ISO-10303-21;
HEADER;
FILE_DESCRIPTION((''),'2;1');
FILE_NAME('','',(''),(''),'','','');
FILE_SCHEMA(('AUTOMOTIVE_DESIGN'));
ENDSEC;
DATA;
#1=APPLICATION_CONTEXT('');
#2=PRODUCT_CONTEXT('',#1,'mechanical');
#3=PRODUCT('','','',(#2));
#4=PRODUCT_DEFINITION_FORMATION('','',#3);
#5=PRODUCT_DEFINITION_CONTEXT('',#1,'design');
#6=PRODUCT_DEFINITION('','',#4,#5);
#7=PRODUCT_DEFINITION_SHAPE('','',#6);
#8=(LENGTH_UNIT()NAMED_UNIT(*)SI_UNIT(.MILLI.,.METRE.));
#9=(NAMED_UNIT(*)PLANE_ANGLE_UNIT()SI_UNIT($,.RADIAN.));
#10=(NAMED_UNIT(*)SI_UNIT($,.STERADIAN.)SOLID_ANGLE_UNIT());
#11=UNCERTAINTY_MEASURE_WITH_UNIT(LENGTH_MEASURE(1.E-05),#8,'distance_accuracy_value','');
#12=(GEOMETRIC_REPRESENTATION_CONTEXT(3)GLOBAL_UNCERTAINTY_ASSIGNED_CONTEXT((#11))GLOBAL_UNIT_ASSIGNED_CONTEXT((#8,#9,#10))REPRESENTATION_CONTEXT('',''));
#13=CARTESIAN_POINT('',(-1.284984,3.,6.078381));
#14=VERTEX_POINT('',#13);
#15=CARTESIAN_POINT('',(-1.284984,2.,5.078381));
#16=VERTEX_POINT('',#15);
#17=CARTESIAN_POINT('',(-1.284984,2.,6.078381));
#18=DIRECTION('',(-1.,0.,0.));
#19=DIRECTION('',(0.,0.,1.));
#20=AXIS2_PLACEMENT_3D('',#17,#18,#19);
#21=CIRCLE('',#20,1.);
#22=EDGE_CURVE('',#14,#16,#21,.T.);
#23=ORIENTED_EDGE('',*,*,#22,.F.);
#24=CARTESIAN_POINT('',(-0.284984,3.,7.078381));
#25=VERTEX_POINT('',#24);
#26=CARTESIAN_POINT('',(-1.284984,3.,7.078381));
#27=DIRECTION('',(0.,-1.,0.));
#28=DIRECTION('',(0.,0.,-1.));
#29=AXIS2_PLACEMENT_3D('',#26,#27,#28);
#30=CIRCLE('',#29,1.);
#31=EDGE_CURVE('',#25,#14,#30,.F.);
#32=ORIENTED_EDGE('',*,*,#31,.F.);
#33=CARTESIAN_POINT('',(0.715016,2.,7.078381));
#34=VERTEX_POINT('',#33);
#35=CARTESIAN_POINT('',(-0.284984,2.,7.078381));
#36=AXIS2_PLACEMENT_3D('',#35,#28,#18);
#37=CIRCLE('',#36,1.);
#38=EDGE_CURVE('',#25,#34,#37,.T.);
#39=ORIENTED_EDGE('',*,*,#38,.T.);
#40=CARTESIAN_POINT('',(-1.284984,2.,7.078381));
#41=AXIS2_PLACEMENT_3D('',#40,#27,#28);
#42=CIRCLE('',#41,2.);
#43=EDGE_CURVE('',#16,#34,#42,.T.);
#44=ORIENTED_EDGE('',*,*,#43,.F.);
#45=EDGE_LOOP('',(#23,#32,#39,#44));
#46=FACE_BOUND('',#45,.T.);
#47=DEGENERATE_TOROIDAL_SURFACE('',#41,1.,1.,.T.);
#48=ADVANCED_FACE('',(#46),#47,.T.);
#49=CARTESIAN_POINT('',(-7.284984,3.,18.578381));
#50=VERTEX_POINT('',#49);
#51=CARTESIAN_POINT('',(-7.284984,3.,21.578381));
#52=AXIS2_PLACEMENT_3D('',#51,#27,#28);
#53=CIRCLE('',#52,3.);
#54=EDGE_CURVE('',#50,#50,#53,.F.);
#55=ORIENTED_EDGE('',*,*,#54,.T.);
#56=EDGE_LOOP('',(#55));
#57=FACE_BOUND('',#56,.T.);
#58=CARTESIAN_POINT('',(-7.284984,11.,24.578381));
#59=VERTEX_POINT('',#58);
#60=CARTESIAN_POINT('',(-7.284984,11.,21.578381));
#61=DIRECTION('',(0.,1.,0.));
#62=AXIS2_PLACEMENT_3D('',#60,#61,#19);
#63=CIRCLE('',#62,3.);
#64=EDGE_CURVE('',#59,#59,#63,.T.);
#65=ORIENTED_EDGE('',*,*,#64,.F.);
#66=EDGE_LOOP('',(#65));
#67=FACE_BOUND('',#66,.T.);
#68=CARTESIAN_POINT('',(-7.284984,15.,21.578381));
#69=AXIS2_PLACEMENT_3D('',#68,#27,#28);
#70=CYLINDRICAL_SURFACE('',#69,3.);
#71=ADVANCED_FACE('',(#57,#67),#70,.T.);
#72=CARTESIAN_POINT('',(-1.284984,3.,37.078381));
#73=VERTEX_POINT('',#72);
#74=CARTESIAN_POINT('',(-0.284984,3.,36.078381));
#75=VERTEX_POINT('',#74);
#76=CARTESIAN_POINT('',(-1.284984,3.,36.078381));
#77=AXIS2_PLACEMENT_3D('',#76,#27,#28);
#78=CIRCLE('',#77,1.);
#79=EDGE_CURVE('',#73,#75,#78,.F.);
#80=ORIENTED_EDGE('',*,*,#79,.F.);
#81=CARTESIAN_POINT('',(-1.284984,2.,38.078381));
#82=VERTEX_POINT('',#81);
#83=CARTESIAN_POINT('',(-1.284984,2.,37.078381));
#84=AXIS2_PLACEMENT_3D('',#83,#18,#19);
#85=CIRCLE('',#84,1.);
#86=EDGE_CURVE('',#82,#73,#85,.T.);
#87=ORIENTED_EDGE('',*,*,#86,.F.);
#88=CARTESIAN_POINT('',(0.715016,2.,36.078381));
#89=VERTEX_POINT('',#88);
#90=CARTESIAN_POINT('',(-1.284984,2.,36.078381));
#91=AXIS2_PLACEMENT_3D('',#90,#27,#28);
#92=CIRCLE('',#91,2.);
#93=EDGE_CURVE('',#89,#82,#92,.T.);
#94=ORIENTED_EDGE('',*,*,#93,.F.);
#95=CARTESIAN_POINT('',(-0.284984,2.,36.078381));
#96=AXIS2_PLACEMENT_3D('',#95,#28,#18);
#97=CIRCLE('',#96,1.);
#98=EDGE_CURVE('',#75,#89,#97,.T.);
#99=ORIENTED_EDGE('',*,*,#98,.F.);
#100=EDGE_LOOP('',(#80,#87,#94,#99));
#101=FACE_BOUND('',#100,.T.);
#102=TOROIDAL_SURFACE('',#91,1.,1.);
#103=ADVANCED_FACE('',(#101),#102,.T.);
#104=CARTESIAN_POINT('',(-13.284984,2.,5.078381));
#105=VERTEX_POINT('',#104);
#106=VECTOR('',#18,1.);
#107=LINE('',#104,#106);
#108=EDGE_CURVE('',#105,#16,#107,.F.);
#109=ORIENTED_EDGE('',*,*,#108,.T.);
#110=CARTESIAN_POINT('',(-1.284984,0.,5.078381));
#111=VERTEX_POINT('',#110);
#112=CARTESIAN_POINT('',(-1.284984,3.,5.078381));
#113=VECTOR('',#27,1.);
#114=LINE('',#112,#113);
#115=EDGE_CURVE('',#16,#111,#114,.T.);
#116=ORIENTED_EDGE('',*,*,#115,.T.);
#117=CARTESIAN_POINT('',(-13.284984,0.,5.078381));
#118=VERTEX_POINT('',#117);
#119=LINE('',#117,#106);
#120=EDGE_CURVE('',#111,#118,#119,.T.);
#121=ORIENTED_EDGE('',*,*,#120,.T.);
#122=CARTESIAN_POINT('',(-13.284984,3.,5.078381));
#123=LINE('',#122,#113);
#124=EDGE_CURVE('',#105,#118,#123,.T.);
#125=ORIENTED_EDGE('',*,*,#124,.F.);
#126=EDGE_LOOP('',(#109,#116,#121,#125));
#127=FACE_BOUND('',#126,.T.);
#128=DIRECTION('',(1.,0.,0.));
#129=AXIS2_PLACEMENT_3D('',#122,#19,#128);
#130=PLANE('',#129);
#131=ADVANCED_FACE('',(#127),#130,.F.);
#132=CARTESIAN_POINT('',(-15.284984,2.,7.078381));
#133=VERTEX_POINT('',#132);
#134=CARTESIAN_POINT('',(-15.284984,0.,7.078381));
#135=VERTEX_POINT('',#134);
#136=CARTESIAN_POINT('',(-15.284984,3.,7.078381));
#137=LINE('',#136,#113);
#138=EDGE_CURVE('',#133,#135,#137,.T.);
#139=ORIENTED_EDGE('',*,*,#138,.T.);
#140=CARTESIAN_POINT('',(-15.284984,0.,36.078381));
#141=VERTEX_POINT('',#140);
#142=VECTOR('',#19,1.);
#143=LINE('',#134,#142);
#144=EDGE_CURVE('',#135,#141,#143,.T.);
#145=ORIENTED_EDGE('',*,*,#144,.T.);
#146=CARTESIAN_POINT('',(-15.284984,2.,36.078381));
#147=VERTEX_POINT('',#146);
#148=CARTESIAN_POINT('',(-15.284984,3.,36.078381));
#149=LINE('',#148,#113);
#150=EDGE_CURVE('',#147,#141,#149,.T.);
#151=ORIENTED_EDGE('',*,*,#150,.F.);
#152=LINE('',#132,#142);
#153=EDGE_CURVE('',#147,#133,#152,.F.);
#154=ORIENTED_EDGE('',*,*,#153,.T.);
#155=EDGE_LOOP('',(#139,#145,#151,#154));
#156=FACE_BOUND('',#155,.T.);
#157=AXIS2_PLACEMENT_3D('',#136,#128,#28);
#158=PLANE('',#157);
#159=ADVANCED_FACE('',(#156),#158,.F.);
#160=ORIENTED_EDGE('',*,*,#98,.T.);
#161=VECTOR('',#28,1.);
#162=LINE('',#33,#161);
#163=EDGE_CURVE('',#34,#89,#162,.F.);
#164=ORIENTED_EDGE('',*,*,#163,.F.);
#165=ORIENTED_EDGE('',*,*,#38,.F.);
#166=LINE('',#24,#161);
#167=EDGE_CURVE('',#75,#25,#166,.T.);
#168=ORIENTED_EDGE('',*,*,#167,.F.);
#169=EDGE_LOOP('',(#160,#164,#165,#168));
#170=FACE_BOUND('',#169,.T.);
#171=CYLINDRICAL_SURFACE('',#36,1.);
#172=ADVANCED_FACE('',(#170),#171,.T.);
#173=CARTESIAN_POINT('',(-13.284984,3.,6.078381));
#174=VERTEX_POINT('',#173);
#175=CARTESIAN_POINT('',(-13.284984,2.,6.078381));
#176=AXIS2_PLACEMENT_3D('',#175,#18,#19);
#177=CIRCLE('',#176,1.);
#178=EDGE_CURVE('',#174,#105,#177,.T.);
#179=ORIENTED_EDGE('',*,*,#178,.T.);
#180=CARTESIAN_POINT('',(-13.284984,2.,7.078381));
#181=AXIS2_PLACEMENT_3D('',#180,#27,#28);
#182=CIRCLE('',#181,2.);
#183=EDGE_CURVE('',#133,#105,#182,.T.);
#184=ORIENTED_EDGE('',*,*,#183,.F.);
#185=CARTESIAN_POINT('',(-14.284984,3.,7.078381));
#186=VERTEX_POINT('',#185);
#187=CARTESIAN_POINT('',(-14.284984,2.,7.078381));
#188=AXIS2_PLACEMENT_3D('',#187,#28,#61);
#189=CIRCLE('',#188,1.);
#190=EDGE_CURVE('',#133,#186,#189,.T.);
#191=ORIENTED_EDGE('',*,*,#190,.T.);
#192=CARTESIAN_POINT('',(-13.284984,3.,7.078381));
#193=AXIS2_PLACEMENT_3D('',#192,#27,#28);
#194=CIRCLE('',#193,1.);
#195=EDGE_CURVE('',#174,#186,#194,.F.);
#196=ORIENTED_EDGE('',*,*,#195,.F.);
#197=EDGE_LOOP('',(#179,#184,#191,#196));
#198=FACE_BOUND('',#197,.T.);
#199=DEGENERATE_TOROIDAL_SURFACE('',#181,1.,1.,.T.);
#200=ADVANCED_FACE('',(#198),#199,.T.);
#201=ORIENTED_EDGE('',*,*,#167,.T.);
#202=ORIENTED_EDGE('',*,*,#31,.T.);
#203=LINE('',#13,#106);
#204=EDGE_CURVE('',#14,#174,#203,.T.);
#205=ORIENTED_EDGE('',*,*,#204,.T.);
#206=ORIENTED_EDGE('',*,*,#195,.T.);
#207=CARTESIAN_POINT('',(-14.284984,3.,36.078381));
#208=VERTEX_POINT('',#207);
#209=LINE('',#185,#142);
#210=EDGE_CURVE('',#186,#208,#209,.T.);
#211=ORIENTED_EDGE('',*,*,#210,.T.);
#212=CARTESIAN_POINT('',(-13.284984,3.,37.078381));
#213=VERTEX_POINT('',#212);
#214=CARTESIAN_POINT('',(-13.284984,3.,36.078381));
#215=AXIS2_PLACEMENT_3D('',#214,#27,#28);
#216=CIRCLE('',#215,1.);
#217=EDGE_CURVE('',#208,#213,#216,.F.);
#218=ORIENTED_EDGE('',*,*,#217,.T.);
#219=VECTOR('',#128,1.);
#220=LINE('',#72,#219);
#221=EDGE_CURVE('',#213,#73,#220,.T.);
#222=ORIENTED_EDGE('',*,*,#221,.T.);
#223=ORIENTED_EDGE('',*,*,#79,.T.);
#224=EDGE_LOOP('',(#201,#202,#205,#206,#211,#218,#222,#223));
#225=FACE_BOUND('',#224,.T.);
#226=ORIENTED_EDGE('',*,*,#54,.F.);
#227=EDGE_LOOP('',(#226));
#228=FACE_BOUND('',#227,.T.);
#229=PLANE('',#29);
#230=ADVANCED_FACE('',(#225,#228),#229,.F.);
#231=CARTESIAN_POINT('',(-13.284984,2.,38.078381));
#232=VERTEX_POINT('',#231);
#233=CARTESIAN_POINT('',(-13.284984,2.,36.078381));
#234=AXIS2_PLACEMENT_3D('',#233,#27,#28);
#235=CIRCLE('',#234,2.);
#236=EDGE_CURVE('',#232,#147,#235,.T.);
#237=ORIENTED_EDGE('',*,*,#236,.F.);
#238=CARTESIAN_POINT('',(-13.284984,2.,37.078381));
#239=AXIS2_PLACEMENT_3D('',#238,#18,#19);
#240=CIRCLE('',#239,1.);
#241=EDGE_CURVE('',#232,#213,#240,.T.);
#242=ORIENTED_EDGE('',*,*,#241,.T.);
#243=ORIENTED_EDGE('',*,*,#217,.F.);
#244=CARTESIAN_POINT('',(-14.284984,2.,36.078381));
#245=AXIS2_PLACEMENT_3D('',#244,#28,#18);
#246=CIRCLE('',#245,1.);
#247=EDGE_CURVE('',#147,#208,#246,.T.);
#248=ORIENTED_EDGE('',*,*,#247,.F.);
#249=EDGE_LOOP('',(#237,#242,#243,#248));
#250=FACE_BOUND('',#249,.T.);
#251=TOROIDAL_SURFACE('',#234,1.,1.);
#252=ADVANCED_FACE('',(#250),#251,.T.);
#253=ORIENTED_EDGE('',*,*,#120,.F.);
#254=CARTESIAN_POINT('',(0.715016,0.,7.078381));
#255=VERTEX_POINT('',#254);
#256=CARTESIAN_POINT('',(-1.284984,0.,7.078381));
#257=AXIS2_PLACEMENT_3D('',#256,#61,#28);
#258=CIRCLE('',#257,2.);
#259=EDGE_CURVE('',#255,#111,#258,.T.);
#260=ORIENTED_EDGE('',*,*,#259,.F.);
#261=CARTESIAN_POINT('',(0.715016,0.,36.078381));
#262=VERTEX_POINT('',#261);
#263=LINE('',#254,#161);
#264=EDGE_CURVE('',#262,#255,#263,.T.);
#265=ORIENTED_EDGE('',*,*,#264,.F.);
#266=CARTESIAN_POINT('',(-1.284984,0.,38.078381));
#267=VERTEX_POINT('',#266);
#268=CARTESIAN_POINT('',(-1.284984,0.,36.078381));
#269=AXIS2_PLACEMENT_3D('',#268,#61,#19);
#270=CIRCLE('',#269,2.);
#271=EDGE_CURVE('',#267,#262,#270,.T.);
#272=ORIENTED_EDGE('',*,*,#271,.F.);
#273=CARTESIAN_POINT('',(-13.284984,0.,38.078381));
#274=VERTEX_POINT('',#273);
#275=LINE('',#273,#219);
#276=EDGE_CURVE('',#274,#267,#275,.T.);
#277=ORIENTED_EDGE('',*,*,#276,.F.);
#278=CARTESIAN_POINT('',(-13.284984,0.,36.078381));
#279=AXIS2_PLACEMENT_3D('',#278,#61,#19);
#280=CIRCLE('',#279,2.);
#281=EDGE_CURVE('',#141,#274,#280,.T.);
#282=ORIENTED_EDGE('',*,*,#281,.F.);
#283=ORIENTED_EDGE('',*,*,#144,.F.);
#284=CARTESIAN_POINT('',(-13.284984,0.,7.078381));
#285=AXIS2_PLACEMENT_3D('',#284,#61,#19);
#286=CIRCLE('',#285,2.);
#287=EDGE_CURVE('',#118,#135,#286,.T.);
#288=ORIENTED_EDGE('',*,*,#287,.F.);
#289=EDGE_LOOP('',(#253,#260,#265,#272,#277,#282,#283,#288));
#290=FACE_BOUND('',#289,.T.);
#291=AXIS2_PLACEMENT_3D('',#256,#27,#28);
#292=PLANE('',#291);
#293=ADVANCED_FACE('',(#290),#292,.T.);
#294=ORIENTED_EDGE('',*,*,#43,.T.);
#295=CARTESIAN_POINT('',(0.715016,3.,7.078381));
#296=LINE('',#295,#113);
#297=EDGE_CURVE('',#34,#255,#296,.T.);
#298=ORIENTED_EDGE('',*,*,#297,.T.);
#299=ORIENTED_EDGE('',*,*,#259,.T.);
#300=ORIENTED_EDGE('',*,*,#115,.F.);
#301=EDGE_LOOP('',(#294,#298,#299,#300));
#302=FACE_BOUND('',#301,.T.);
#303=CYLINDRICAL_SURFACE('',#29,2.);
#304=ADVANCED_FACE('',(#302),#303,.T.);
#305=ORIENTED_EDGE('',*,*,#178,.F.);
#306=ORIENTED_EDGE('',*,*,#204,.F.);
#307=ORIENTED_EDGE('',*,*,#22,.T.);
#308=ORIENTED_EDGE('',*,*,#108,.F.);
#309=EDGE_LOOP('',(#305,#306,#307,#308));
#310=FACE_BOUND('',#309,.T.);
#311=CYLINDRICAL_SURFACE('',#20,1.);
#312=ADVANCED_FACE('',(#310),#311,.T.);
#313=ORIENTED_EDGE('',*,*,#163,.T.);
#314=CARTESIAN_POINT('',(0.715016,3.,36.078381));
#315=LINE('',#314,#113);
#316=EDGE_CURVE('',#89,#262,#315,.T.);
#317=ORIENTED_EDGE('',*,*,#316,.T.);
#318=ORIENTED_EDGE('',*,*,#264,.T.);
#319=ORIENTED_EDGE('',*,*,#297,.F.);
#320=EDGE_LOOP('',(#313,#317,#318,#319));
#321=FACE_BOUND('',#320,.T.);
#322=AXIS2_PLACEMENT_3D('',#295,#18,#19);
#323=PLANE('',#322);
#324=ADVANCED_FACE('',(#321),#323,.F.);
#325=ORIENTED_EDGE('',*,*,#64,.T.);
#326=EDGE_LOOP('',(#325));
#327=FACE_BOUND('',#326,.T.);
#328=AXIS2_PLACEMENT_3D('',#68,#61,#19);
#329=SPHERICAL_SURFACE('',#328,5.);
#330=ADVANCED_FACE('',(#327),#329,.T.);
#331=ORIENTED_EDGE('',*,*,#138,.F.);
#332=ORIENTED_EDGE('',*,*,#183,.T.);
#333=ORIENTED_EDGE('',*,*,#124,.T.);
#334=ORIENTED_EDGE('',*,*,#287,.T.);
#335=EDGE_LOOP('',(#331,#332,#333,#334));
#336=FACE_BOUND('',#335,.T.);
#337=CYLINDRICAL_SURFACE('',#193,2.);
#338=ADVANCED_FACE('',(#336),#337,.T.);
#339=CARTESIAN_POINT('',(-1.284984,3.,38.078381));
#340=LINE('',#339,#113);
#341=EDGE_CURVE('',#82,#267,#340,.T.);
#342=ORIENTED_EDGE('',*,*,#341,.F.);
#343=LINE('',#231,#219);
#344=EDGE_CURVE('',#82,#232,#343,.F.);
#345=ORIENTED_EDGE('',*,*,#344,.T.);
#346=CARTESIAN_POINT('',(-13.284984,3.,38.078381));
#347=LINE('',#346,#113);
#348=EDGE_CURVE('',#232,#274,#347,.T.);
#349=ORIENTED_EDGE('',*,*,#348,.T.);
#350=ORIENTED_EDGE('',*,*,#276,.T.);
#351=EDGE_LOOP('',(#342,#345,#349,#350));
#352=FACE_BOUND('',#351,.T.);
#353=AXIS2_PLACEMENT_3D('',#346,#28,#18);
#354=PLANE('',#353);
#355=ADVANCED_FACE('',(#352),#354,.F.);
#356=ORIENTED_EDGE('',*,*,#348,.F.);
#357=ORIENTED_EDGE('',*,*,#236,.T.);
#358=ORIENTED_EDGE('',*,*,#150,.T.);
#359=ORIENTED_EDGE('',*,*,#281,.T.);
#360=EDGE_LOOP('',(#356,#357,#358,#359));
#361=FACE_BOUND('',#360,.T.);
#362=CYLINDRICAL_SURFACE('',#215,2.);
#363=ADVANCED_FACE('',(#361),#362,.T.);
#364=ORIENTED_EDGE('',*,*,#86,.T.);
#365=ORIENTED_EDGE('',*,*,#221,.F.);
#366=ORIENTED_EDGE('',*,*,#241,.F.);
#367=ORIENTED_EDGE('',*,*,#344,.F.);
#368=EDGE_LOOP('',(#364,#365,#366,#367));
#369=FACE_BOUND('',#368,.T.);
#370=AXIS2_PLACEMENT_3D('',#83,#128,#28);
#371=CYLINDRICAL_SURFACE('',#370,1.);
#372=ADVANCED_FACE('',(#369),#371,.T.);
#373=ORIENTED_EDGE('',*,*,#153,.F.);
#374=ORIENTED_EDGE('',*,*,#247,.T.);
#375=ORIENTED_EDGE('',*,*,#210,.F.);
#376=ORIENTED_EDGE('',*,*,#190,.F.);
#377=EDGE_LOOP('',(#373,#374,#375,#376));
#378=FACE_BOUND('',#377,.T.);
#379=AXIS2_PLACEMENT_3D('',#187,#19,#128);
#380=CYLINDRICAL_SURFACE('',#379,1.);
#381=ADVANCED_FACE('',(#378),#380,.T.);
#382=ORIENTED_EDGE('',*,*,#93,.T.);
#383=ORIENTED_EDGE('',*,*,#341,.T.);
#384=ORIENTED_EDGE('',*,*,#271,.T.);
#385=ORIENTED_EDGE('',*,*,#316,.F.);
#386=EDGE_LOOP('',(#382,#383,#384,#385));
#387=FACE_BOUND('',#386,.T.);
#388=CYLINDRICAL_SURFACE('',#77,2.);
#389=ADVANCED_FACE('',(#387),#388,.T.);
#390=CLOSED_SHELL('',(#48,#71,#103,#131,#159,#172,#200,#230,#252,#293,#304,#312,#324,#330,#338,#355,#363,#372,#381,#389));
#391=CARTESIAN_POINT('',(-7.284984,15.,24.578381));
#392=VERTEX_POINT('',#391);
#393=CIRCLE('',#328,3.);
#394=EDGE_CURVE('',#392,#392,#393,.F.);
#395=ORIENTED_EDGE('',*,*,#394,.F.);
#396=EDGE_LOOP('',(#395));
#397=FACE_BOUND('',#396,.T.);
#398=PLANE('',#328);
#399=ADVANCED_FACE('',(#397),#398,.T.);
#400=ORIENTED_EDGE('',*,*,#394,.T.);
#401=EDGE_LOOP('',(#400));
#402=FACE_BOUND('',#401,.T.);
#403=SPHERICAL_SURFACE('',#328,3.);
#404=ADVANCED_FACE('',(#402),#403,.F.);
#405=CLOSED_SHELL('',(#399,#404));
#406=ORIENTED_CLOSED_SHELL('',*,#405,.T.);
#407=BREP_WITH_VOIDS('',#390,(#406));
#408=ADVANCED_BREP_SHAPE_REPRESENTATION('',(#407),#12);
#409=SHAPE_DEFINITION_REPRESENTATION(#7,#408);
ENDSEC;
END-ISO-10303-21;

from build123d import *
from build123d.topology import SkipClean

# Parameters (mm, degrees)
BOSS_EXTRUDE1_DEPTH = 3
FILLET1_R           = 1
SKETCH2_R           = 3
BOSS_EXTRUDE2_DEPTH = 12


with BuildPart() as part:
    # Sketch1 → Boss-Extrude1 (new body)
    with BuildSketch(Plane(origin=(0, 0, 0), x_dir=(1, 0, 0), z_dir=(0, 1, 0))):
        with BuildLine():
            Line((-13.284983977, -5.078381136), (-1.284983977, -5.078381136))
            ThreePointArc((-1.284983977, -5.078381136), (0.129229585, -5.664167574), (0.715016023, -7.078381136))
            Line((0.715016023, -7.078381136), (0.715016023, -36.078381136))
            ThreePointArc((0.715016023, -36.078381136), (0.129229585, -37.492594699), (-1.284983977, -38.078381136))
            Line((-1.284983977, -38.078381136), (-13.284983977, -38.078381136))
            ThreePointArc((-13.284983977, -38.078381136), (-14.69919754, -37.492594699), (-15.284983977, -36.078381136))
            Line((-15.284983977, -36.078381136), (-15.284983977, -7.078381136))
            ThreePointArc((-15.284983977, -7.078381136), (-14.69919754, -5.664167574), (-13.284983977, -5.078381136))
        make_face()
    extrude(amount=BOSS_EXTRUDE1_DEPTH)

    # Fillet1
    fillet1_edges = [part.edges().sort_by_distance(p)[0] for p in [
        (-14.69919754, 3, 5.664167574),
        (-15.284983977, 3, 21.578381136),
        (-14.69919754, 3, 37.492594699),
        (-7.284983977, 3, 38.078381136),
        (0.129229585, 3, 37.492594699),
        (0.715016023, 3, 21.578381136),
        (0.129229585, 3, 5.664167574),
        (-7.284983977, 3, 5.078381136),
    ]]
    fillet(fillet1_edges, radius=FILLET1_R)

    # Sketch2 → Boss-Extrude2 (add)
    with BuildSketch(Plane(origin=(0, 3, 0), x_dir=(1, 0, 0), z_dir=(0, 1, 0))):
        with Locations(Location((-7.284983977, -21.578381136, 0), (0, 0, 90))):
            Circle(SKETCH2_R)
    extrude(amount=BOSS_EXTRUDE2_DEPTH)

    # Sketch3 → Revolve9 (revolve)
    with SkipClean():  # the faces are left unmerged after this step: merging them gives an invalid solid
        with BuildSketch(Plane(origin=(0, 15, 0), x_dir=(1, 0, 0), z_dir=(0, 1, 0))):
            with BuildLine():
                ThreePointArc((-2.284983977, -21.578381136), (-3.749450071, -18.04284723), (-7.284983977, -16.578381136))
                Line((-7.284983977, -16.578381136), (-7.284983977, -18.578381136))
                ThreePointArc((-7.284983977, -18.578381136), (-5.163663634, -19.457060793), (-4.284983977, -21.578381136))
                ThreePointArc((-4.284983977, -21.578381136), (-5.163663634, -23.69970148), (-7.284983977, -24.578381136))
                Line((-7.284983977, -24.578381136), (-7.284983977, -26.578381136))
                ThreePointArc((-7.284983977, -26.578381136), (-3.749450071, -25.113915042), (-2.284983977, -21.578381136))
            make_face()
            with BuildLine():
                Line((-7.284983977, -18.578381136), (-7.284983977, -16.578381136))
                ThreePointArc((-7.284983977, -16.578381136), (-12.284983977, -21.578381136), (-7.284983977, -26.578381136))
                Line((-7.284983977, -26.578381136), (-7.284983977, -24.578381136))
                ThreePointArc((-7.284983977, -24.578381136), (-10.284983977, -21.578381136), (-7.284983977, -18.578381136))
            make_face()
        revolve(axis=Axis((-7.284983977, 15, 12.733179874), (0, 0, 1)))


solid = part.part
